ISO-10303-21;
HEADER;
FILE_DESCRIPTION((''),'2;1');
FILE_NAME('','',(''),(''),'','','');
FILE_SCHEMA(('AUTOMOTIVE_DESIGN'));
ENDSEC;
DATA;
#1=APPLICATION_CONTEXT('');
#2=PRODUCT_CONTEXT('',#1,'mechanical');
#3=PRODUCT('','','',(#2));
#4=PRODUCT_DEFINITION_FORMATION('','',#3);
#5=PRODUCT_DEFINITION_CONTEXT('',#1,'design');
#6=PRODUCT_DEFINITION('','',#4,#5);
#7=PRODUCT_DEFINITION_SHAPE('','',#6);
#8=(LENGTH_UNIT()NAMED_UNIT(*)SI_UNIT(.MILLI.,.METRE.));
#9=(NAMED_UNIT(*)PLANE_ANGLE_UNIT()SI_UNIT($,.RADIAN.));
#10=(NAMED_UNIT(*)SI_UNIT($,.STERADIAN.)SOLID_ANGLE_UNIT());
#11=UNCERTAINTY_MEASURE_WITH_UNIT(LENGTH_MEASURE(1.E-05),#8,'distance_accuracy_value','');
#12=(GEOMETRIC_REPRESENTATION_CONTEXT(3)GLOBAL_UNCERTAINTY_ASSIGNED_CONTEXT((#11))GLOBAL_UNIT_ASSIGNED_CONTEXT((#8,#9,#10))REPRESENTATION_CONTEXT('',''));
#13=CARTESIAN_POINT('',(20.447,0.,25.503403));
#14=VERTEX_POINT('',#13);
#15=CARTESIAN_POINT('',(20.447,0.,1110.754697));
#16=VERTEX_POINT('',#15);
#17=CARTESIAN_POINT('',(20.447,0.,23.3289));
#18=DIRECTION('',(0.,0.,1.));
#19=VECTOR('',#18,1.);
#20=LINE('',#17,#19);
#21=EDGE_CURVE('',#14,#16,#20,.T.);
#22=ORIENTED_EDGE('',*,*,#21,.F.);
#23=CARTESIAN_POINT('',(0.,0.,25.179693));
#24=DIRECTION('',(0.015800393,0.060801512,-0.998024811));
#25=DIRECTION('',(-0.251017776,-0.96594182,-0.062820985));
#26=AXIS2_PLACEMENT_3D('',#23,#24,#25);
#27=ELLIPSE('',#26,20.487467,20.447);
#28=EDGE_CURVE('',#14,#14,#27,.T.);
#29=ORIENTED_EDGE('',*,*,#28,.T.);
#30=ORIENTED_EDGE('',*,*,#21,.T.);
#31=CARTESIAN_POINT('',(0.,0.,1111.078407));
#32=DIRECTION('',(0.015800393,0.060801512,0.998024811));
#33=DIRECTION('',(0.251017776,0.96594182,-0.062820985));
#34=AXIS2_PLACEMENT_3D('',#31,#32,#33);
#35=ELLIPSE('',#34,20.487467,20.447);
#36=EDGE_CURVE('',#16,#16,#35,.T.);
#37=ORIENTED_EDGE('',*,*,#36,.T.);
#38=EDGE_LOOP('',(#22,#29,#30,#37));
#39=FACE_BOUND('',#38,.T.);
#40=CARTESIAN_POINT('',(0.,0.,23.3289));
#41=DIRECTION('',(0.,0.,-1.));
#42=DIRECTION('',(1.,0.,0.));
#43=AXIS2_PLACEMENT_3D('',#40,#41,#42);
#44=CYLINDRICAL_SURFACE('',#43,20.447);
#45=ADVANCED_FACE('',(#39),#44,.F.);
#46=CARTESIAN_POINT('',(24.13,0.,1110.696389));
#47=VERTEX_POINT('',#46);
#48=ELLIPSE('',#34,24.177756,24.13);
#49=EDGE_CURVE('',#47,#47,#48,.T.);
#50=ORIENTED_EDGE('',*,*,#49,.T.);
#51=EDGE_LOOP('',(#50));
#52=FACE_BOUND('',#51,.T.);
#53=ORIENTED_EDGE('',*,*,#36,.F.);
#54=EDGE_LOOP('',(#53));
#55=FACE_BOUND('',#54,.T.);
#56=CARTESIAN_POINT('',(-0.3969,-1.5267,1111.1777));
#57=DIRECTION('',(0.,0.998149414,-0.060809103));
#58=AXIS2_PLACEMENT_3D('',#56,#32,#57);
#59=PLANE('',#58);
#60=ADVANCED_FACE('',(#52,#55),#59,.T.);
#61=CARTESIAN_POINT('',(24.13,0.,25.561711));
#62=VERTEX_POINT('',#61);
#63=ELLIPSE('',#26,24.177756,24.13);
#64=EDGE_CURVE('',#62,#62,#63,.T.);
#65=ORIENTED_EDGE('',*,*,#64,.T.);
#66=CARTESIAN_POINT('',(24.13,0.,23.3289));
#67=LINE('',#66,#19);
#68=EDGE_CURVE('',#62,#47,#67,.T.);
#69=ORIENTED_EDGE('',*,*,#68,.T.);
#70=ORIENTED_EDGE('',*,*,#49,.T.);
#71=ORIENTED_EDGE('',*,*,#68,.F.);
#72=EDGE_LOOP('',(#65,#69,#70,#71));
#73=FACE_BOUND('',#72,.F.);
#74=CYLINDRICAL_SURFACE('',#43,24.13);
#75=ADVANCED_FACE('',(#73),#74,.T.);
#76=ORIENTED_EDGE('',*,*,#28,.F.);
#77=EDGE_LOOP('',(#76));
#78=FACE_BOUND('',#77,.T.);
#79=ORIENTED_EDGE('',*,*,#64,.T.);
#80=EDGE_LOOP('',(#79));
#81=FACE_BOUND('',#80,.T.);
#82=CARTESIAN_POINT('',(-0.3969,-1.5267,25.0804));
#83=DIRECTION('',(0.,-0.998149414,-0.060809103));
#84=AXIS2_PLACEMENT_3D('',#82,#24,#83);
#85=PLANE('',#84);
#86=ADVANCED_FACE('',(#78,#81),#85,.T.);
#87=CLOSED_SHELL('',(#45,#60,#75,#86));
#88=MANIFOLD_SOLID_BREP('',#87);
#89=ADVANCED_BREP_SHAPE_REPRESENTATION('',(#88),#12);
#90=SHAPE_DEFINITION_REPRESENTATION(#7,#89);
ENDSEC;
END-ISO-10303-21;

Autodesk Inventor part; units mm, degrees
ref_plane "Start Plane" through (0, 0, 23.3289) normal (0, 0, 1) x (1, 0, 0)
ref_plane "End Plane" through (0, 0, 1112.9292) normal (0, 0, 1) x (1, 0, 0)
sketch "Sketch" plane through (0, 0, 0) normal (0, 0, 1) x (1, 0, 0)
  circle A0 centre (0, 0) radius 20.447
  circle A1 centre (0, 0) radius 24.13
  dimension "d0" = 48.26
  dimension "d1" = 3.683
extrude "Body" add sketch "Sketch" along normal up to surface (1089.6003 mm away) from surface at 23.3289
sketch "Sketch3" plane through (0, 0, 0) normal (0, 0, 1) x (1, 0, 0)
  line L0 (0, 0) -> (10, 0)
ref_plane "Work Plane3" through (0, 0, 0) normal (0, -1, 0) x (1, 0, 0)
ref_plane "Work Plane4" through (-0.3969, -1.5267, 1111.1777) normal (0.0158, 0.0608, 0.998) x (0.9999, -0.0005, -0.0158)
split "Split1" plane through (-0.3969, -1.5267, 1111.1777) removes the side toward (0.0158, 0.0608, 0.998)
ref_plane "Work Plane5" through (-0.3969, -1.5267, 25.0804) normal (0.0158, 0.0608, -0.998) x (0.8735, -0.4865, -0.0158)
split "Split2" plane through (-0.3969, -1.5267, 25.0804) removes the side toward (0.0158, 0.0608, -0.998)
sketch "Sketch4" plane through (0, 0, 0) normal (0, -1, 0) x (1, 0, 0)
  line L0 (-2, 23.3289) -> (12, 23.3289) projected
  line L1 (-2, 1112.9292) -> (12, 1112.9292) projected
  dimension "d7" = 1089.6003
equation "\"d0\" = G_H"
equation "\"d1\" = G_T"
equation "\"d2\" = G_L"
equation "\"G_H\" = 48.26"
equation "\"G_T\" = 3.683"
equation "\"G_L\" = d7"
equation "\"G_OFFSET_START\" = -23.32894"
equation "\"G_OFFSET_END\" = -23.32894"
equation "\"d4\" = -G_OFFSET_START"
equation "\"d5\" = G_OFFSET_END + B_L"
equation "\"B_L\" = 1136.25815"
properties part number "ANSI - 1 1/2 x 0.145 - 42.898" material "Steel, Mild"
